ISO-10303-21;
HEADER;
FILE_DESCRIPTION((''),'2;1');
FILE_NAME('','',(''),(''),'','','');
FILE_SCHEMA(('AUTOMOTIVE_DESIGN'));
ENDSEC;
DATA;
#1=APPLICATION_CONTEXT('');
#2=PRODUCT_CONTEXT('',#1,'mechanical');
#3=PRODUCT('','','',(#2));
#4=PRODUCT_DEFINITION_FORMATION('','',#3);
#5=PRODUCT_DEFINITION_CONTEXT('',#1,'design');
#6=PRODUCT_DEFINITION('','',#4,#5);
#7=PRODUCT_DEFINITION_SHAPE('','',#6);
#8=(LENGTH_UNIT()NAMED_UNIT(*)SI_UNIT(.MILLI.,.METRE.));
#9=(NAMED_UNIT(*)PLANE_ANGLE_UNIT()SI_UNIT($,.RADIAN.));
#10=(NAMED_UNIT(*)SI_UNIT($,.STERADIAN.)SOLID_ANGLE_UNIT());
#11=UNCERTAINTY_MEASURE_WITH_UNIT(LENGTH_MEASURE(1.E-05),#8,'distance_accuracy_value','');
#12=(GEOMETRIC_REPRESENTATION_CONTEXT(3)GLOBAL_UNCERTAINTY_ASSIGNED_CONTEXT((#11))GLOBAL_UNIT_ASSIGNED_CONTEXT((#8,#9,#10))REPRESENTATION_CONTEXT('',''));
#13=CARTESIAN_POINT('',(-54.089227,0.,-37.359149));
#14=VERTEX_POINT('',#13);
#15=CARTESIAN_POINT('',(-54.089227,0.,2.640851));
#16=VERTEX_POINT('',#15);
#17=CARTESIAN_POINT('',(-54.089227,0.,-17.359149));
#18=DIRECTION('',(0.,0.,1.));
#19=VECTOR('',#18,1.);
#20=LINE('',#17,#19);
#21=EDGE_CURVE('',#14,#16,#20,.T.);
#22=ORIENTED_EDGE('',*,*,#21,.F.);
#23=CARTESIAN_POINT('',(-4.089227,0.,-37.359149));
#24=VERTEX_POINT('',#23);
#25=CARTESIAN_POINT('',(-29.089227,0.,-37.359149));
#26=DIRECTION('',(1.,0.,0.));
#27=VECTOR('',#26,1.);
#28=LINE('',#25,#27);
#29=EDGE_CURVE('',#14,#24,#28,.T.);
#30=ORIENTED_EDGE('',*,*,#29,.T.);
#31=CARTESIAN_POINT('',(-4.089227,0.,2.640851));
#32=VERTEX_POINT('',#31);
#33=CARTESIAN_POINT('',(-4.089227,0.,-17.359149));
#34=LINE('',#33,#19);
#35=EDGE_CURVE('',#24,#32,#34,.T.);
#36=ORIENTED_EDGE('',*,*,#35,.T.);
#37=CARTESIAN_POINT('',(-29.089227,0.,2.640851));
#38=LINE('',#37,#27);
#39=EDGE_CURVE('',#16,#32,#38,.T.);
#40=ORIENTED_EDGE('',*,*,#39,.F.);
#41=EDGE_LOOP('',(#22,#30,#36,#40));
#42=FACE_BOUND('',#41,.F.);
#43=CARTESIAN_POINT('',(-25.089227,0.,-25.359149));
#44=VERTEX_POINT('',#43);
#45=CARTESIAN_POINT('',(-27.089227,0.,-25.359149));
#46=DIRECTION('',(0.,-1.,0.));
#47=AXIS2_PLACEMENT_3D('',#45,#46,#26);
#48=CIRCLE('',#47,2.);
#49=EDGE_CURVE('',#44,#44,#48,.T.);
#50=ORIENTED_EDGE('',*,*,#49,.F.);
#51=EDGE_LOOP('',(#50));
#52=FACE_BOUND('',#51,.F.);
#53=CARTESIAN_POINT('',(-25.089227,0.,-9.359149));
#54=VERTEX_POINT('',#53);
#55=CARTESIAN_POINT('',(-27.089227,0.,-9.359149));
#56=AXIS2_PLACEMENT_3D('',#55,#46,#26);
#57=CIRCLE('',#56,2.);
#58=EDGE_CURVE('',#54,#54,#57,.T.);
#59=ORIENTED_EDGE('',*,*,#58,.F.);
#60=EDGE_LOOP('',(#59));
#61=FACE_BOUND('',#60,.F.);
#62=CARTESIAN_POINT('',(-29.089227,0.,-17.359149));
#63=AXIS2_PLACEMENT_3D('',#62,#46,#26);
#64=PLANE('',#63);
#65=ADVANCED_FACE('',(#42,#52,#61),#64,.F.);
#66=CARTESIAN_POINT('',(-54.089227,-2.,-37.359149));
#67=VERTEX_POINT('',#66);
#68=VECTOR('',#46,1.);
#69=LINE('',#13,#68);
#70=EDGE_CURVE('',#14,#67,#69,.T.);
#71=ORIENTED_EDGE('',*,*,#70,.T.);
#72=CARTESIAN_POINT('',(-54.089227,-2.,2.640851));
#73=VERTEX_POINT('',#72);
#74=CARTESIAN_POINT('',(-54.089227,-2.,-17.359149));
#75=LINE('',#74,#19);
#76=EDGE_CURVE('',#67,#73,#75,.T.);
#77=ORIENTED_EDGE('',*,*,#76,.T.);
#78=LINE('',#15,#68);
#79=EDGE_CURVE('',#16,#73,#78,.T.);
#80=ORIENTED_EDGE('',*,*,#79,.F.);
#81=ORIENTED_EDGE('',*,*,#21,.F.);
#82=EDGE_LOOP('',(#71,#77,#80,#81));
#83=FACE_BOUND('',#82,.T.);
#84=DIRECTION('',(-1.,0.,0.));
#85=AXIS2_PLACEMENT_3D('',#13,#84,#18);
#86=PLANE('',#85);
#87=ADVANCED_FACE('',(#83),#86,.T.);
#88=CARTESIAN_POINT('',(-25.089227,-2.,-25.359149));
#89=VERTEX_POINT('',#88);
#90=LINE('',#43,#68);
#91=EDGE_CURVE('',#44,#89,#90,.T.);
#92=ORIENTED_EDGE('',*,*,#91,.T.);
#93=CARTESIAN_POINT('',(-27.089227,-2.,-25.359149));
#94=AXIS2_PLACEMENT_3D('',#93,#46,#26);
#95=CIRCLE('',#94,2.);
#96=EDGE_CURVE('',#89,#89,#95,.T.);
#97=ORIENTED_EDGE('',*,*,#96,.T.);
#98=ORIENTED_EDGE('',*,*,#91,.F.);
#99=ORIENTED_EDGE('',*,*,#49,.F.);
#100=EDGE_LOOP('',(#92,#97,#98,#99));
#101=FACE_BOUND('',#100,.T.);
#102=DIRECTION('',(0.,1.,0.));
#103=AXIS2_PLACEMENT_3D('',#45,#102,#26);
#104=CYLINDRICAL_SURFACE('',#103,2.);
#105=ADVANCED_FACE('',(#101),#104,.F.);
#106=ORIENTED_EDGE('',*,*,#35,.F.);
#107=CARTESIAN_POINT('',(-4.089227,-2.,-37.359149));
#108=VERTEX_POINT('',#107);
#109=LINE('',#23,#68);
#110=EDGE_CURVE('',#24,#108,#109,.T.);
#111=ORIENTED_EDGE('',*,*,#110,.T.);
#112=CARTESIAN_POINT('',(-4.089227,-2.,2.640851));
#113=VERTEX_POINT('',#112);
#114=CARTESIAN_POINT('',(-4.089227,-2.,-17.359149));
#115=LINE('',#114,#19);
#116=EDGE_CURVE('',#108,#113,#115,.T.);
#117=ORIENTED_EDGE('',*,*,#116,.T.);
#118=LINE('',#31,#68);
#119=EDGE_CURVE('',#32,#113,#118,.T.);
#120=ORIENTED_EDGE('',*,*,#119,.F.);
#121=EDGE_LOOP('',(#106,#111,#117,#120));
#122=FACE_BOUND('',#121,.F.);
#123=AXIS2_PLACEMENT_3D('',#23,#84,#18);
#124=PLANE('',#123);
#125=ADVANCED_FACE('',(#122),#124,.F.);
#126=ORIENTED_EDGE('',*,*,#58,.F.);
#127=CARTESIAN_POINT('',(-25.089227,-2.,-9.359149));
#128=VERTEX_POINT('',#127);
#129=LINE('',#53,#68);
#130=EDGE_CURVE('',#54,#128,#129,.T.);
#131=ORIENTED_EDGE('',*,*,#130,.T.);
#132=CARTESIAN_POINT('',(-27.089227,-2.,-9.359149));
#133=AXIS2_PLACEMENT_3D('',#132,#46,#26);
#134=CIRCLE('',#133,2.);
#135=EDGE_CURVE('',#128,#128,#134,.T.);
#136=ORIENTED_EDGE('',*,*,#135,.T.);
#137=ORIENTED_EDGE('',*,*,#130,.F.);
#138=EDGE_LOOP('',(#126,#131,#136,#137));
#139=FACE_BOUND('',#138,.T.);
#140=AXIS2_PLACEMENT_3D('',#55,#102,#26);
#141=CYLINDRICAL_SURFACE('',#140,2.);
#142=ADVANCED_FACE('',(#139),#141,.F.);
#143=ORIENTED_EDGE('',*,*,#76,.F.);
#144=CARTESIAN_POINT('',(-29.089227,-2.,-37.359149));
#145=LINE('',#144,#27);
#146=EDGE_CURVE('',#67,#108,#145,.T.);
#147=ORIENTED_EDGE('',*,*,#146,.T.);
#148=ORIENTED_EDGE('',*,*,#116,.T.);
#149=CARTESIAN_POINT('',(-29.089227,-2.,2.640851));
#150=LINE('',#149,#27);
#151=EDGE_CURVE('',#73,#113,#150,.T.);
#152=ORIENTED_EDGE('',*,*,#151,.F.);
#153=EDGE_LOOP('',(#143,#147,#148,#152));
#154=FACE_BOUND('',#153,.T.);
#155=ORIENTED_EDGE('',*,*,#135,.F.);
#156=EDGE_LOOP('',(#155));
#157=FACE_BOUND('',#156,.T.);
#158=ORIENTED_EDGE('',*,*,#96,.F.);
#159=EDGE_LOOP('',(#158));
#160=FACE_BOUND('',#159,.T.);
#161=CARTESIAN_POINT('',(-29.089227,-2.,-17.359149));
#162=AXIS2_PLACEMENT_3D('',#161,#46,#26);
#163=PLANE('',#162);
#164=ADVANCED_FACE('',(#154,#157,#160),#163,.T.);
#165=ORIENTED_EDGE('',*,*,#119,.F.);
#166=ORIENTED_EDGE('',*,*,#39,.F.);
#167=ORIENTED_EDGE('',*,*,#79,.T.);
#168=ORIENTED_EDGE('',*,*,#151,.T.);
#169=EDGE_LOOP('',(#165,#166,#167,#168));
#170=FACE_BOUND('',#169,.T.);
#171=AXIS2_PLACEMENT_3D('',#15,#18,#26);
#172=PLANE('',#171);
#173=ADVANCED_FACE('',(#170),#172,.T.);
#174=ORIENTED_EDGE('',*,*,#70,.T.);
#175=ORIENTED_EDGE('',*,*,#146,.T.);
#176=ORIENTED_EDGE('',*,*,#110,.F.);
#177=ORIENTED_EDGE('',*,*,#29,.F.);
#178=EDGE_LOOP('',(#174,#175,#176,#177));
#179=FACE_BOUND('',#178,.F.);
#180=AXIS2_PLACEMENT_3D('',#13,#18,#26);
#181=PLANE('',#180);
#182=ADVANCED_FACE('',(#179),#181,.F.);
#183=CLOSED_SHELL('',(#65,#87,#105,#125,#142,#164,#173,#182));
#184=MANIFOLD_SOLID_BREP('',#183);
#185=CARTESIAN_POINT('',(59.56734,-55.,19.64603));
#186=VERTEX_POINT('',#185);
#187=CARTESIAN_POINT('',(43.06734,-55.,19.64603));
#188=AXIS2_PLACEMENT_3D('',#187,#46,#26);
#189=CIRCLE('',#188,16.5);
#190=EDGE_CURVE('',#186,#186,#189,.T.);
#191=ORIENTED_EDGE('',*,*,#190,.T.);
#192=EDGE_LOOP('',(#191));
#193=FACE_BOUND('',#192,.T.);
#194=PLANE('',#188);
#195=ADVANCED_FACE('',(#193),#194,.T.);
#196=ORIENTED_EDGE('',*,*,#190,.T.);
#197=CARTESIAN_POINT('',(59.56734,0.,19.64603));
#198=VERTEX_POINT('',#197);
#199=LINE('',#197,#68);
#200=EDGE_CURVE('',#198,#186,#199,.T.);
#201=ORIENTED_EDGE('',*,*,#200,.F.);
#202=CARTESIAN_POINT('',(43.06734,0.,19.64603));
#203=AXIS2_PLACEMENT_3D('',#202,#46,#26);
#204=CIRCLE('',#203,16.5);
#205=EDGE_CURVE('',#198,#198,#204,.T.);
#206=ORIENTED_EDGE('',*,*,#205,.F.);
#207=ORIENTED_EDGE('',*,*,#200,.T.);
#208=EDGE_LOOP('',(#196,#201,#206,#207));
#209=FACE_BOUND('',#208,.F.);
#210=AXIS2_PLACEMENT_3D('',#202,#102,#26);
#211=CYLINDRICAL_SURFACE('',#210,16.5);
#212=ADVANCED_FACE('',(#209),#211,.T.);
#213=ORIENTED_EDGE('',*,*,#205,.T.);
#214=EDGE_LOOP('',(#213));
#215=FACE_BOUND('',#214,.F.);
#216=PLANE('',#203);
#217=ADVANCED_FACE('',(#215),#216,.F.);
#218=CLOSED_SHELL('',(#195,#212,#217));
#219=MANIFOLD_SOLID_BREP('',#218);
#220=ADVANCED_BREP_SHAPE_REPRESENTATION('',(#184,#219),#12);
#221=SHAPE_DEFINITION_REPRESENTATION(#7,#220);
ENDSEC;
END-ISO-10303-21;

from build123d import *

# Parameters (mm, degrees)
F0_W     = 50
F0_H     = 40
F0_R     = 2
F1_DEPTH = 2
F2_R     = 16.5
F3_DEPTH = 55


with BuildPart() as f1:
    # F0 (on Front) → F1 (new body)
    with BuildSketch(Plane.XZ):
        with Locations((-29.089227, -17.359149)):
            Rectangle(F0_W, F0_H)
        with Locations((-27.089227, -25.359149)):
            Circle(F0_R, mode=Mode.SUBTRACT)
        with Locations((-27.089227, -9.359149)):
            Circle(F0_R, mode=Mode.SUBTRACT)
    extrude(amount=F1_DEPTH)


with BuildPart() as f3:
    # F2 (on Front) → F3 (new body)
    with BuildSketch(Plane.XZ):
        with Locations((43.06734, 19.64603)):
            Circle(F2_R)
    extrude(amount=F3_DEPTH)


solid = Compound([f1.part, f3.part])
